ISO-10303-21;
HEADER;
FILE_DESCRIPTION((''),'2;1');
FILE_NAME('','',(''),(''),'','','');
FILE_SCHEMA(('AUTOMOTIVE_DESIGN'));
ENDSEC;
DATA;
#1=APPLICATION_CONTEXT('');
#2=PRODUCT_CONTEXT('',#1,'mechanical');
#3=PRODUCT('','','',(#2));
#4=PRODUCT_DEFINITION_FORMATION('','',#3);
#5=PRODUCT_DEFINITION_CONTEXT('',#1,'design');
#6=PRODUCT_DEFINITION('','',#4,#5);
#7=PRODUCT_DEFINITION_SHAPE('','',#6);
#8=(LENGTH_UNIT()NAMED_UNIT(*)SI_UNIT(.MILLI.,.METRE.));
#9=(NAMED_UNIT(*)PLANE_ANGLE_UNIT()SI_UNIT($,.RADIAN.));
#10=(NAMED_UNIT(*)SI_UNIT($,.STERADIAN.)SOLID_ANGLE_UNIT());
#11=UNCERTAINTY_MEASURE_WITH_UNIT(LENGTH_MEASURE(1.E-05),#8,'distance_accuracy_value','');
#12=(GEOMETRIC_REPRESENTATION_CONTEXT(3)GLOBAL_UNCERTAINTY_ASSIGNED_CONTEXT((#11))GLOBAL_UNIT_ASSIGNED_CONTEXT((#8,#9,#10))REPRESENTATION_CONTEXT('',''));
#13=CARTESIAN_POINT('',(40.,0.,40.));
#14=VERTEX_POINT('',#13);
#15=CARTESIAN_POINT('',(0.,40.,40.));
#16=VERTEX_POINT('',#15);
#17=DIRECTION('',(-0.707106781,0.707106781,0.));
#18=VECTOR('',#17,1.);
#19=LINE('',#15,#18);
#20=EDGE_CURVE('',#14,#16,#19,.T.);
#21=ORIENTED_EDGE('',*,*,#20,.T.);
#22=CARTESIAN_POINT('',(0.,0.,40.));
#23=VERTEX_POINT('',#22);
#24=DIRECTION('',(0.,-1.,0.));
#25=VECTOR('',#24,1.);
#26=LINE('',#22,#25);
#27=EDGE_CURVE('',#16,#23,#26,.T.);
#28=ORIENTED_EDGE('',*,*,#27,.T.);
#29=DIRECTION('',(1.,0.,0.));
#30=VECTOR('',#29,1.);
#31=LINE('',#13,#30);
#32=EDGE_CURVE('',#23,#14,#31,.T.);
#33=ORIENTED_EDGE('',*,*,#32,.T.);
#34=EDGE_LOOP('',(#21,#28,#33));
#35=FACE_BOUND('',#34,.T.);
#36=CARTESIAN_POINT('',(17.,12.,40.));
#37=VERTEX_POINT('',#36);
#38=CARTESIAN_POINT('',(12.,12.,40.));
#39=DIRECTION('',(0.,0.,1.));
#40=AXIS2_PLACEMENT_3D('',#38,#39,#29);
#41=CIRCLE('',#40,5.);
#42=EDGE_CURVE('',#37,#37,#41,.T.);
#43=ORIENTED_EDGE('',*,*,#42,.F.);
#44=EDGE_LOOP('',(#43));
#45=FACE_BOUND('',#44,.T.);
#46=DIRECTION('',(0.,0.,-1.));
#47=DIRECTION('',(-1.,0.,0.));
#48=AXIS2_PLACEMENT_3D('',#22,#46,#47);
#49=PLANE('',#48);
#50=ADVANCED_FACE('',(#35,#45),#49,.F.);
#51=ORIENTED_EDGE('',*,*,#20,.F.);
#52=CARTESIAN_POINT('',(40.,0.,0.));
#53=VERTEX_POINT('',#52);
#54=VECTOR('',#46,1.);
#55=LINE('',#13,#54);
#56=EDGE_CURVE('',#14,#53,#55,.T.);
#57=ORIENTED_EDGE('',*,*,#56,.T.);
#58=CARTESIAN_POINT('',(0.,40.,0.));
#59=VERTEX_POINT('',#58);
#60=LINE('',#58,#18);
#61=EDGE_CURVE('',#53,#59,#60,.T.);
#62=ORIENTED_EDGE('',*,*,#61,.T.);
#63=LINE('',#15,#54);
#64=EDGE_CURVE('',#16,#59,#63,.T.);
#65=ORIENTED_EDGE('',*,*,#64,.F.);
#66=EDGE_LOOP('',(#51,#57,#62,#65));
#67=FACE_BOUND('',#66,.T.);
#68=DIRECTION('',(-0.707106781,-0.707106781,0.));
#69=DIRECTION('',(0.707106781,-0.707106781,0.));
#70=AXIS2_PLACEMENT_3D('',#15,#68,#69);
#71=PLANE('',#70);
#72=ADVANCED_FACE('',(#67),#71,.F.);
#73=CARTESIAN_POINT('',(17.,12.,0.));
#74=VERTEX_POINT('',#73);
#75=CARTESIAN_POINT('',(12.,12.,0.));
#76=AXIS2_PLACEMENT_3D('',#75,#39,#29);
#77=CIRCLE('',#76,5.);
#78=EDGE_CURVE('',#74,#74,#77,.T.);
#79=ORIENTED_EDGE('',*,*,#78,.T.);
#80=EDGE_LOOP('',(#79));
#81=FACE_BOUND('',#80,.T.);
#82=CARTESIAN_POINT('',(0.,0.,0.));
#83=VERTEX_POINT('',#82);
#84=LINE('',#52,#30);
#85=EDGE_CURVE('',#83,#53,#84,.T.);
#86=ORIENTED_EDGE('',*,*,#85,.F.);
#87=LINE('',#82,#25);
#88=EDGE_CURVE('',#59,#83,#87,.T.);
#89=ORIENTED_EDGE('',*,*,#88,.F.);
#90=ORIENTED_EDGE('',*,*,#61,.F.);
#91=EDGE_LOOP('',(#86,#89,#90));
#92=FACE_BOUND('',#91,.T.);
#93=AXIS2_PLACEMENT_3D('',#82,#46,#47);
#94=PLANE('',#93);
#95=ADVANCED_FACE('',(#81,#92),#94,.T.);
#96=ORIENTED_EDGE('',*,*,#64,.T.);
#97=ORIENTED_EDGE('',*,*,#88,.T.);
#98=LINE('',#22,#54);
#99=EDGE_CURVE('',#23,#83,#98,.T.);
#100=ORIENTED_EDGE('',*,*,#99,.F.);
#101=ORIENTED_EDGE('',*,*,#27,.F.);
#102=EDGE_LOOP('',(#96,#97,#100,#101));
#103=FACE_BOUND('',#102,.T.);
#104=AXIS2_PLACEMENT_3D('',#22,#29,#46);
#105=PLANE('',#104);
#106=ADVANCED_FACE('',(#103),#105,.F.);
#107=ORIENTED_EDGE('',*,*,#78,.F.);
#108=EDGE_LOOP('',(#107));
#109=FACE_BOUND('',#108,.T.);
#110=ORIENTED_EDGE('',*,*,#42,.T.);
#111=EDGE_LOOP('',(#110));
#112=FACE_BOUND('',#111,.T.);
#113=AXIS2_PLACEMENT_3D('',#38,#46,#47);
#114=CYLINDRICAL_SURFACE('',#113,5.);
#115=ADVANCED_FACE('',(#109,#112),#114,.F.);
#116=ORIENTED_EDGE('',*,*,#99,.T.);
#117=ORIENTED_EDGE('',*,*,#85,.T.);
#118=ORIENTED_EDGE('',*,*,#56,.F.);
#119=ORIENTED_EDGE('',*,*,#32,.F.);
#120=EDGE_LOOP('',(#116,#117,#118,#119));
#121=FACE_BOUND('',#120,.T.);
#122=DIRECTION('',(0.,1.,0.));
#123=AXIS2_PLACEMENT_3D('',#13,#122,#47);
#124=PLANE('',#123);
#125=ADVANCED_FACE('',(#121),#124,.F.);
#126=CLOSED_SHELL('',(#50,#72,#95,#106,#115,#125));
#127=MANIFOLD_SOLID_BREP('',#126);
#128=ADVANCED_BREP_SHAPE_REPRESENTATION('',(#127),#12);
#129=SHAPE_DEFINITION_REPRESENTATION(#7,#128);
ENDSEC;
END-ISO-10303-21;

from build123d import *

# Parameters (mm, degrees)
SKETCH_1_R        = 5
EXTRUDE_387_DEPTH = 40


with BuildPart() as part:
    # Эскиз1 → Extrude 387 (new body)
    with BuildSketch(Plane.XY):
        Polygon((0, 0), (0, 40), (40, 0), align=None)
        with Locations((12, 12)):
            Circle(SKETCH_1_R, mode=Mode.SUBTRACT)
    extrude(amount=EXTRUDE_387_DEPTH)


solid = part.part
